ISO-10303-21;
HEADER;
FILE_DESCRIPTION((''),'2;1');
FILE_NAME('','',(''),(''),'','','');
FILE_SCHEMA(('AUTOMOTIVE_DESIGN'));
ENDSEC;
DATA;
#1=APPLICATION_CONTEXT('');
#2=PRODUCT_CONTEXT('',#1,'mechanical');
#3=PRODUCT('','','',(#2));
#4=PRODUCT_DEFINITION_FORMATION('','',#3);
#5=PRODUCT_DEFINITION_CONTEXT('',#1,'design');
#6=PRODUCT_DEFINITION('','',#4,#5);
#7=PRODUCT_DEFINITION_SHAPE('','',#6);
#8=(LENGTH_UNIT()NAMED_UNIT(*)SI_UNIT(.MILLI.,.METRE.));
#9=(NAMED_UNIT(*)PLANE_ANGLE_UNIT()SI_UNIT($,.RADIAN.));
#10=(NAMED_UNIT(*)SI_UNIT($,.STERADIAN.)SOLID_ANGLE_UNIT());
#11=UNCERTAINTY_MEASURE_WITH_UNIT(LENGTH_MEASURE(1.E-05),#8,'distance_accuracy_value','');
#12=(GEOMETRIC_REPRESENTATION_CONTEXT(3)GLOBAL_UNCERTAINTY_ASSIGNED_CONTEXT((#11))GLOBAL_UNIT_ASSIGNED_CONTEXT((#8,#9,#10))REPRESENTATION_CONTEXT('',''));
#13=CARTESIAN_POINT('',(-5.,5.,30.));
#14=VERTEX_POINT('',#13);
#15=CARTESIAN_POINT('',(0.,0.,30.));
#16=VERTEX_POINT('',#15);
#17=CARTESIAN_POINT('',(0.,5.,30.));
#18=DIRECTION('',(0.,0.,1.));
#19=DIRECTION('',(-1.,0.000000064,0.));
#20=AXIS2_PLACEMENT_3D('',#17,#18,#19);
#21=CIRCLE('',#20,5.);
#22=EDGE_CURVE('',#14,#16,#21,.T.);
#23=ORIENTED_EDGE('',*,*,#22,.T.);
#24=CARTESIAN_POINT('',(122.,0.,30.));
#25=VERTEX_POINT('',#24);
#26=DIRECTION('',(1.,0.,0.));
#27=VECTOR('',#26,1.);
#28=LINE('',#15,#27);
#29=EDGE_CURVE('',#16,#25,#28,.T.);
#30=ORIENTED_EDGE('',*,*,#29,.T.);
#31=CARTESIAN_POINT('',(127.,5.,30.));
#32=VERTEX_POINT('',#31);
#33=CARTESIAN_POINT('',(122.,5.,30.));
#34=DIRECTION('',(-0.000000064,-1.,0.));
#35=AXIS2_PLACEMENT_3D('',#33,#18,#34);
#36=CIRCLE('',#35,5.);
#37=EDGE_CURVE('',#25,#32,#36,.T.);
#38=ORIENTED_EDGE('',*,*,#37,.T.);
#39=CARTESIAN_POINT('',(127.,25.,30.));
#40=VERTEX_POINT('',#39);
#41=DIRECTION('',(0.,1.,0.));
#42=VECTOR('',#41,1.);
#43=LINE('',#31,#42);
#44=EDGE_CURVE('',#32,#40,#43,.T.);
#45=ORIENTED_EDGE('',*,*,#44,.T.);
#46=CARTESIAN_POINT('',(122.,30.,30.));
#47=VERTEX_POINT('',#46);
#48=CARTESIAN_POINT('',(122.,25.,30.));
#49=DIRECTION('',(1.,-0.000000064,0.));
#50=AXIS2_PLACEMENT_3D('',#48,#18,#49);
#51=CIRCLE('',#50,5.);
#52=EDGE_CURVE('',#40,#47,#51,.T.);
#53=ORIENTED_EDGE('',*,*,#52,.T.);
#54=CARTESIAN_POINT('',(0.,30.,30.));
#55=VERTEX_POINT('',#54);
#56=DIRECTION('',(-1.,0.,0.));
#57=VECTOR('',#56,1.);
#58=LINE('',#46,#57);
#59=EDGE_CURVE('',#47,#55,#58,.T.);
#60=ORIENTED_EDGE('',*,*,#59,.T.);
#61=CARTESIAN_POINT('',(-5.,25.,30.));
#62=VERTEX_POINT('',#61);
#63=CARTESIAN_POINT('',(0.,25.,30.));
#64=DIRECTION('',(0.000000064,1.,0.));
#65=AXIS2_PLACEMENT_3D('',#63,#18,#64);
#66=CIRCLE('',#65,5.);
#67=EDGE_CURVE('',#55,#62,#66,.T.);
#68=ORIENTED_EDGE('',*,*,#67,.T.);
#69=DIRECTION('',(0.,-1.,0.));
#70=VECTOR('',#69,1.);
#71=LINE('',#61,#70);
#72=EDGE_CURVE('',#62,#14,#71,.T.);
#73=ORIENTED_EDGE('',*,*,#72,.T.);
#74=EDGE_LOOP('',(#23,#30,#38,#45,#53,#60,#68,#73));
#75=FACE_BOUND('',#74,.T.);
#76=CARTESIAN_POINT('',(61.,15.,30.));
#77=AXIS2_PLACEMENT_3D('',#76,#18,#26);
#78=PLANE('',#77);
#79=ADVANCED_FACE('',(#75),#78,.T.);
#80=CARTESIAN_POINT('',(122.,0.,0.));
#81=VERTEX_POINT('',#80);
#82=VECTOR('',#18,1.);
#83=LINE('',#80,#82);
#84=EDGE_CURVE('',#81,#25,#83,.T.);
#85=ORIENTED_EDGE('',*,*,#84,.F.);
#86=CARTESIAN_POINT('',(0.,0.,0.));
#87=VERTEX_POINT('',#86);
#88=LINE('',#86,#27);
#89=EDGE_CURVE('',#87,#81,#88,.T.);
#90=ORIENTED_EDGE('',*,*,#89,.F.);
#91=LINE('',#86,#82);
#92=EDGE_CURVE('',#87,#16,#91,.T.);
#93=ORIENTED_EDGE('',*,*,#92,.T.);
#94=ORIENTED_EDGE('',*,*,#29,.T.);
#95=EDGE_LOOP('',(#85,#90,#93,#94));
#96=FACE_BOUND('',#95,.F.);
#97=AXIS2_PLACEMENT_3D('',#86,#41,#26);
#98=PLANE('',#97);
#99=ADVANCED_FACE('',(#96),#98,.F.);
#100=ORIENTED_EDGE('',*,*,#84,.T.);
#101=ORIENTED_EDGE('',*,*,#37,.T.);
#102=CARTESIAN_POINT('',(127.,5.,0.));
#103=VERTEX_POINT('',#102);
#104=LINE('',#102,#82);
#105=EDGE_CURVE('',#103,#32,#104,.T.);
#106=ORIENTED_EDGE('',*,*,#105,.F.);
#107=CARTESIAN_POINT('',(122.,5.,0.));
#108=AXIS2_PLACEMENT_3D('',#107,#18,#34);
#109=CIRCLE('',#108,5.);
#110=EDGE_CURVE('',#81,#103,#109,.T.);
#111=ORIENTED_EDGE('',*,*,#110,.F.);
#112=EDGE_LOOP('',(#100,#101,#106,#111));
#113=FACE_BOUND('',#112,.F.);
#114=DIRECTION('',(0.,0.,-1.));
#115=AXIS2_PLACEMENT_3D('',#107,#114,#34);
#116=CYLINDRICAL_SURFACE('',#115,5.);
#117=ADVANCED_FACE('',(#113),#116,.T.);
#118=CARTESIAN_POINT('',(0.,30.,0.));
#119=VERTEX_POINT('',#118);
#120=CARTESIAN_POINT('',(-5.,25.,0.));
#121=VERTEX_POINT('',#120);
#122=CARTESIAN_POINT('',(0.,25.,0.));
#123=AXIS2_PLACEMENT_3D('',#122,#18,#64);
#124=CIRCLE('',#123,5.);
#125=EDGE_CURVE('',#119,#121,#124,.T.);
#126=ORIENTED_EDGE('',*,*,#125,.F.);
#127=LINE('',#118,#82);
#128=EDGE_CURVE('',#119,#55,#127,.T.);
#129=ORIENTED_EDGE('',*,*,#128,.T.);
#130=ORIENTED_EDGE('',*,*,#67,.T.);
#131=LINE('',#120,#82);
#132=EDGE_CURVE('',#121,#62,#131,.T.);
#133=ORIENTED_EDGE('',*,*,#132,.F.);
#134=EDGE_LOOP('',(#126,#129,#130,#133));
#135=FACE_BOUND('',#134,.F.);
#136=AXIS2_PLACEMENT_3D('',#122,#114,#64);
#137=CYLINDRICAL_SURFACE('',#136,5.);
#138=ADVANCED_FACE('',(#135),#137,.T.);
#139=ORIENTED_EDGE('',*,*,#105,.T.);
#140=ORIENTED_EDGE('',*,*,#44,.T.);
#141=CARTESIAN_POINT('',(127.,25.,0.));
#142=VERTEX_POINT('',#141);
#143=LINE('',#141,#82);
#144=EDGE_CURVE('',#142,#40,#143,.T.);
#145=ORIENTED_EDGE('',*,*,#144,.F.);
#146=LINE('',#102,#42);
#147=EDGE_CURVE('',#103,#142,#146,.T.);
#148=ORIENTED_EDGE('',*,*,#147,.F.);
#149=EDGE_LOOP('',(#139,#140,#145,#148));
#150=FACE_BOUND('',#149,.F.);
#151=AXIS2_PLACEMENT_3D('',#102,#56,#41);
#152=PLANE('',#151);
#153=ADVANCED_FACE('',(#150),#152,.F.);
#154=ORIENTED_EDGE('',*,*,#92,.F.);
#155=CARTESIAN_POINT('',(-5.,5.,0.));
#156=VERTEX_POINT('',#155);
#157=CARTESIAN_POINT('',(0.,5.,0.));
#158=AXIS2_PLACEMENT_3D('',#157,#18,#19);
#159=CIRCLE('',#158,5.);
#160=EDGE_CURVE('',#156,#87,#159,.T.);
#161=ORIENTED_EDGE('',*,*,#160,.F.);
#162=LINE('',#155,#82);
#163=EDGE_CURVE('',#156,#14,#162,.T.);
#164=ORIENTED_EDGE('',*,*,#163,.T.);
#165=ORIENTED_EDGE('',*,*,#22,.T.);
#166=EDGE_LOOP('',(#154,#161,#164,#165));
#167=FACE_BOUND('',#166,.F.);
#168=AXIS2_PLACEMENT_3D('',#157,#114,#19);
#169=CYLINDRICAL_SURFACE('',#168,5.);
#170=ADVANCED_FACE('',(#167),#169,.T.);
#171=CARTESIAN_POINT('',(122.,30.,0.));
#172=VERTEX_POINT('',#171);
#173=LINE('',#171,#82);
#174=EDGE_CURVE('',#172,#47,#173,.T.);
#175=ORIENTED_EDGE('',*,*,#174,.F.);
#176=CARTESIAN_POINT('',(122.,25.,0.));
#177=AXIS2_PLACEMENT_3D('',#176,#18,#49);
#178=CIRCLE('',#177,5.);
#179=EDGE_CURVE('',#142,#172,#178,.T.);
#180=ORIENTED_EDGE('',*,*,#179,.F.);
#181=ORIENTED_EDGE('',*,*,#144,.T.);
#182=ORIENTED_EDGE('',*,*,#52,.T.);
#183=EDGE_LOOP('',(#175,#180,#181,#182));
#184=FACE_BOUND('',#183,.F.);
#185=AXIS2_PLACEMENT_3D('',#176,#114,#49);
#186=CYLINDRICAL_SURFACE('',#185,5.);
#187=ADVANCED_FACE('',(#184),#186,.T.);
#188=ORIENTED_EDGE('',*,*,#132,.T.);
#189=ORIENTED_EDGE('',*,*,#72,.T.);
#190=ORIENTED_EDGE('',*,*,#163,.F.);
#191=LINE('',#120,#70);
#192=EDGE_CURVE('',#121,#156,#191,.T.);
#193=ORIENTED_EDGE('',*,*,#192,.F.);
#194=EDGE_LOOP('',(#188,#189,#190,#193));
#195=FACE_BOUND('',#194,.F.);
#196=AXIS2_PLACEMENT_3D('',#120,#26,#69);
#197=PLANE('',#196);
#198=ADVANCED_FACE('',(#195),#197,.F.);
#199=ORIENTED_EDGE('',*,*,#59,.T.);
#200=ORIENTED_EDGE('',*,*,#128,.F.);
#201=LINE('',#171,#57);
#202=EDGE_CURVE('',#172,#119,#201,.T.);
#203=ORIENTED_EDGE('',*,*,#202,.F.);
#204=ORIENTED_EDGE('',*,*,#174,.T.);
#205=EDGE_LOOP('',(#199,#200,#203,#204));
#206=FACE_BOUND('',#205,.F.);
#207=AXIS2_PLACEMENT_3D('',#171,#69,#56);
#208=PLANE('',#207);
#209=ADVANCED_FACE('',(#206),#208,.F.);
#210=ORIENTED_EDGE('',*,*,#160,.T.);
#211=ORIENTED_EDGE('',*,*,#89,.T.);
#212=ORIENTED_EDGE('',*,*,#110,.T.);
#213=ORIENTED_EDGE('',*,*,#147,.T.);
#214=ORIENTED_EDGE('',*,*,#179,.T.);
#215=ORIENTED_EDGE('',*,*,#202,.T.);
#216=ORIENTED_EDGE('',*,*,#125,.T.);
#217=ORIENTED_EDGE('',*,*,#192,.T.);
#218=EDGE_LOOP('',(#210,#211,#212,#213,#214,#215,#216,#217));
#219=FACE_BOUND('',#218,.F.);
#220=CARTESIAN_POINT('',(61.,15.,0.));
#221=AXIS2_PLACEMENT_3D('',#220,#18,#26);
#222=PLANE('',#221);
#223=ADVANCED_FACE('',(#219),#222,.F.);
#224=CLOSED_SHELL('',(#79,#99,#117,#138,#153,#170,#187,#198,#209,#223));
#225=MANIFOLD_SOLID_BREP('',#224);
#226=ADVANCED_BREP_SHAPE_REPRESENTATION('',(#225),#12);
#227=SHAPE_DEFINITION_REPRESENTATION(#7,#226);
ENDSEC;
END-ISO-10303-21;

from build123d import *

# Parameters (mm, degrees)
PAD_DEPTH = 30


with BuildPart() as part:
    # Sketch → Pad (new body)
    with BuildSketch(Plane.XY):
        with BuildLine():
            Line((0, 0), (122, 0))
            ThreePointArc((122, 0), (125.535534, 1.464466), (127, 5))
            Line((127, 5), (127, 25))
            ThreePointArc((127, 25), (125.535534, 28.535534), (122, 30))
            Line((122, 30), (0, 30))
            ThreePointArc((0, 30), (-3.535534, 28.535534), (-5, 25))
            Line((-5, 25), (-5, 5))
            ThreePointArc((-5, 5), (-3.535534, 1.464466), (0, 0))
        make_face()
    extrude(amount=PAD_DEPTH)


solid = part.part
